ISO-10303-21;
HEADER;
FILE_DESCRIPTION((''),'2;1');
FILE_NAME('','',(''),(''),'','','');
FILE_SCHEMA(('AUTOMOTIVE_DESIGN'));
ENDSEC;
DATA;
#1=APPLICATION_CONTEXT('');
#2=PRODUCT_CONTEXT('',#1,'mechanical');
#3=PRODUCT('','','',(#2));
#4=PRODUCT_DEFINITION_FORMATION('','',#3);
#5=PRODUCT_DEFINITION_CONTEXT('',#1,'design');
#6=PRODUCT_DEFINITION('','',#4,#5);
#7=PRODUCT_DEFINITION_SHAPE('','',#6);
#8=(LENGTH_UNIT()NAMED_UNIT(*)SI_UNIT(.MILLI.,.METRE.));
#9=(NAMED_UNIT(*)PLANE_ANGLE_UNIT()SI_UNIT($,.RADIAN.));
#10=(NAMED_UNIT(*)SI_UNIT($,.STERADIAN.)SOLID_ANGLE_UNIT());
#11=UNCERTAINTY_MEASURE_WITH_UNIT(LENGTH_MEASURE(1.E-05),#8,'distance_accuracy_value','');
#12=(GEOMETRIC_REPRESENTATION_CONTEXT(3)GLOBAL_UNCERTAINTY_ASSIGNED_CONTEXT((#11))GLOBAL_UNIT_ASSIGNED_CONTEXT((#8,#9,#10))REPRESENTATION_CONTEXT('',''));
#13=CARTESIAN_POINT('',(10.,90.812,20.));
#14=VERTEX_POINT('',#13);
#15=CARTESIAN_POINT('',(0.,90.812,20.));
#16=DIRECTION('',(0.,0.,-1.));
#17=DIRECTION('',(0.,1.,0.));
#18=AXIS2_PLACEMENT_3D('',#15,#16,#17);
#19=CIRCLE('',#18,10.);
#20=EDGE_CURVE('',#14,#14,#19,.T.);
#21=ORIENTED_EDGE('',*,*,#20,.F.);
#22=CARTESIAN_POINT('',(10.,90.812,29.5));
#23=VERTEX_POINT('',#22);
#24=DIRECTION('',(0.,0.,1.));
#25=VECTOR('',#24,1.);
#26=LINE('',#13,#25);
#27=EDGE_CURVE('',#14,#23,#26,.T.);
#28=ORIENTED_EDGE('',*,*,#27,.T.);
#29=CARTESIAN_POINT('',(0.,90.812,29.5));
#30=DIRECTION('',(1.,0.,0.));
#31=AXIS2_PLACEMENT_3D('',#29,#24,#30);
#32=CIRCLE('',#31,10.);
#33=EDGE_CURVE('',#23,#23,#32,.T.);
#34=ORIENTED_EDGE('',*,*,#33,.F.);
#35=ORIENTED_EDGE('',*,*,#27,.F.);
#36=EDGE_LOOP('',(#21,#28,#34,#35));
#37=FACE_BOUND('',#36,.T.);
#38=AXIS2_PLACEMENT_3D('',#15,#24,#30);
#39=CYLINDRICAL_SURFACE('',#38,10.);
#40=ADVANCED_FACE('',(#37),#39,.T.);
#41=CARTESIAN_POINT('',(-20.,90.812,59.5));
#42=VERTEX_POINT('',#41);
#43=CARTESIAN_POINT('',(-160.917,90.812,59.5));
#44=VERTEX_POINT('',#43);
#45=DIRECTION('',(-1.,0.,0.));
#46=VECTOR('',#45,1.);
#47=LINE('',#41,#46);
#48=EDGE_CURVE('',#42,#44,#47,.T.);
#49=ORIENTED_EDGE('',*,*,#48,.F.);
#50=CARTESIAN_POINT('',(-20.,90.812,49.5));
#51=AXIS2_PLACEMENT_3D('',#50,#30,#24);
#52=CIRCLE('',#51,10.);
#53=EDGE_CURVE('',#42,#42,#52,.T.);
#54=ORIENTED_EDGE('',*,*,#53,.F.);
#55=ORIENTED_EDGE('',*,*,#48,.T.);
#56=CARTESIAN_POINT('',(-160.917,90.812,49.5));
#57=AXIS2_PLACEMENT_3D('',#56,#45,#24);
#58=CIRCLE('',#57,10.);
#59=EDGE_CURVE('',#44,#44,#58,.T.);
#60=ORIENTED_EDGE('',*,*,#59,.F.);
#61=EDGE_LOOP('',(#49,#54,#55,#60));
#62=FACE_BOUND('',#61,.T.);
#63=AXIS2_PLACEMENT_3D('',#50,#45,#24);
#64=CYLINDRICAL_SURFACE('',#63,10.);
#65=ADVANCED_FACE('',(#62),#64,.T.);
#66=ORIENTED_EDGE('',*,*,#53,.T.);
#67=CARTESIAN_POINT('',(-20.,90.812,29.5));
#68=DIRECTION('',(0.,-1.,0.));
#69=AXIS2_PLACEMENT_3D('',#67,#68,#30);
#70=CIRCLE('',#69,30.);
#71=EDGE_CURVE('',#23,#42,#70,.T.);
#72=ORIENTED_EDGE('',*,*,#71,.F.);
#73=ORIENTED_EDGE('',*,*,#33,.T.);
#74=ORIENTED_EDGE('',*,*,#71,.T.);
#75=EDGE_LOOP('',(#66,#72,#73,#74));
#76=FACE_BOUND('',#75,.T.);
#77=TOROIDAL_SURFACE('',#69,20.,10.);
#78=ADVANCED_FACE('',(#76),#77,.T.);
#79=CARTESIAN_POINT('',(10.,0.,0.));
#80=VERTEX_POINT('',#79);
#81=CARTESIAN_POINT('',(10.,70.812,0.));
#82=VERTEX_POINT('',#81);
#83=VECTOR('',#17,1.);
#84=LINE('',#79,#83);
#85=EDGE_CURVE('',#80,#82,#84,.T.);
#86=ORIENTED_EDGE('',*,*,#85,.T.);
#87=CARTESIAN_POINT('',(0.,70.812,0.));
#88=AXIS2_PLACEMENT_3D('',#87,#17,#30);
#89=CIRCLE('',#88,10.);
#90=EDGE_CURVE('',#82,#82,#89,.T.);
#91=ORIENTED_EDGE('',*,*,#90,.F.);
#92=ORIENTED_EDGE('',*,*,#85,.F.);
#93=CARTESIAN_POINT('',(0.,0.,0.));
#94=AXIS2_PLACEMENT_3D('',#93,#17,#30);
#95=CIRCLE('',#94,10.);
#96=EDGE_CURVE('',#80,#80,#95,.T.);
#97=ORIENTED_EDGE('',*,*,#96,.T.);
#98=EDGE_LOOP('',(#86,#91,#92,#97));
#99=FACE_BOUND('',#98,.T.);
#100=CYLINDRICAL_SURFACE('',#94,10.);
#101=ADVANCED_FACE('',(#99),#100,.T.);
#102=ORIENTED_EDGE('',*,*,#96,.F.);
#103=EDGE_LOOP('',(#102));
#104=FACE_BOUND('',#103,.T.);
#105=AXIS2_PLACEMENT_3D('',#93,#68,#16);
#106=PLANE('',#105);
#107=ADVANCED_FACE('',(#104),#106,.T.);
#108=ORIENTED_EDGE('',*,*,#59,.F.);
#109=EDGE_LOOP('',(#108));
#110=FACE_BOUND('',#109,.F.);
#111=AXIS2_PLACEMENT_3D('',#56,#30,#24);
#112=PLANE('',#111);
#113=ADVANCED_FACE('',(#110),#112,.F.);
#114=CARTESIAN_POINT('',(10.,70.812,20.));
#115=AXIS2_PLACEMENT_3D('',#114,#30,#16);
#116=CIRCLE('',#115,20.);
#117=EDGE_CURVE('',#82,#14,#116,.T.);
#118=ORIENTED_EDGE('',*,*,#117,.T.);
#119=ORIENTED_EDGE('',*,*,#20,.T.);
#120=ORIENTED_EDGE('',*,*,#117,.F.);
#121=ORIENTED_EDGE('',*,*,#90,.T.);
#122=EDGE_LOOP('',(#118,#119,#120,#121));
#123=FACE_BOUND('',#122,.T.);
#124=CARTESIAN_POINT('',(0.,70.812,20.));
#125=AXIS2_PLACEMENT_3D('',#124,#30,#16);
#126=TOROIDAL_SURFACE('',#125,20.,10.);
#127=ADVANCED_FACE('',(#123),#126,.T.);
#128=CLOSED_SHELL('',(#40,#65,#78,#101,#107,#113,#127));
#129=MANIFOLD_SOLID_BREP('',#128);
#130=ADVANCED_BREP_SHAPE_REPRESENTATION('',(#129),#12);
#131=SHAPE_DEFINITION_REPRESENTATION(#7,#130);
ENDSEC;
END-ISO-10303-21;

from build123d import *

# Parameters (mm, degrees)
F3_R = 10


with BuildPart() as f4:
    # F4: sweep along a path in F0, F2
    with BuildLine(Plane.YZ) as f4_path:
        Line((0, 0), (70.812, 0))
        ThreePointArc((70.812, 0), (84.9541356237, 5.8578643763), (90.812, 20))
        Line((90.812, 20), (90.812, 29.5))
    with BuildLine(Plane.XZ.offset(-90.812)) as f4_path_2:
        ThreePointArc((0, 29.5), (-5.8578643763, 43.6421356237), (-20, 49.5))
        Line((-20, 49.5), (-160.917, 49.5))
    # F3 (on Front) → F4 (sweep)
    with BuildSketch(Plane.XZ):
        Circle(F3_R)
    sweep(path=f4_path.line + f4_path_2.line)


solid = f4.part
